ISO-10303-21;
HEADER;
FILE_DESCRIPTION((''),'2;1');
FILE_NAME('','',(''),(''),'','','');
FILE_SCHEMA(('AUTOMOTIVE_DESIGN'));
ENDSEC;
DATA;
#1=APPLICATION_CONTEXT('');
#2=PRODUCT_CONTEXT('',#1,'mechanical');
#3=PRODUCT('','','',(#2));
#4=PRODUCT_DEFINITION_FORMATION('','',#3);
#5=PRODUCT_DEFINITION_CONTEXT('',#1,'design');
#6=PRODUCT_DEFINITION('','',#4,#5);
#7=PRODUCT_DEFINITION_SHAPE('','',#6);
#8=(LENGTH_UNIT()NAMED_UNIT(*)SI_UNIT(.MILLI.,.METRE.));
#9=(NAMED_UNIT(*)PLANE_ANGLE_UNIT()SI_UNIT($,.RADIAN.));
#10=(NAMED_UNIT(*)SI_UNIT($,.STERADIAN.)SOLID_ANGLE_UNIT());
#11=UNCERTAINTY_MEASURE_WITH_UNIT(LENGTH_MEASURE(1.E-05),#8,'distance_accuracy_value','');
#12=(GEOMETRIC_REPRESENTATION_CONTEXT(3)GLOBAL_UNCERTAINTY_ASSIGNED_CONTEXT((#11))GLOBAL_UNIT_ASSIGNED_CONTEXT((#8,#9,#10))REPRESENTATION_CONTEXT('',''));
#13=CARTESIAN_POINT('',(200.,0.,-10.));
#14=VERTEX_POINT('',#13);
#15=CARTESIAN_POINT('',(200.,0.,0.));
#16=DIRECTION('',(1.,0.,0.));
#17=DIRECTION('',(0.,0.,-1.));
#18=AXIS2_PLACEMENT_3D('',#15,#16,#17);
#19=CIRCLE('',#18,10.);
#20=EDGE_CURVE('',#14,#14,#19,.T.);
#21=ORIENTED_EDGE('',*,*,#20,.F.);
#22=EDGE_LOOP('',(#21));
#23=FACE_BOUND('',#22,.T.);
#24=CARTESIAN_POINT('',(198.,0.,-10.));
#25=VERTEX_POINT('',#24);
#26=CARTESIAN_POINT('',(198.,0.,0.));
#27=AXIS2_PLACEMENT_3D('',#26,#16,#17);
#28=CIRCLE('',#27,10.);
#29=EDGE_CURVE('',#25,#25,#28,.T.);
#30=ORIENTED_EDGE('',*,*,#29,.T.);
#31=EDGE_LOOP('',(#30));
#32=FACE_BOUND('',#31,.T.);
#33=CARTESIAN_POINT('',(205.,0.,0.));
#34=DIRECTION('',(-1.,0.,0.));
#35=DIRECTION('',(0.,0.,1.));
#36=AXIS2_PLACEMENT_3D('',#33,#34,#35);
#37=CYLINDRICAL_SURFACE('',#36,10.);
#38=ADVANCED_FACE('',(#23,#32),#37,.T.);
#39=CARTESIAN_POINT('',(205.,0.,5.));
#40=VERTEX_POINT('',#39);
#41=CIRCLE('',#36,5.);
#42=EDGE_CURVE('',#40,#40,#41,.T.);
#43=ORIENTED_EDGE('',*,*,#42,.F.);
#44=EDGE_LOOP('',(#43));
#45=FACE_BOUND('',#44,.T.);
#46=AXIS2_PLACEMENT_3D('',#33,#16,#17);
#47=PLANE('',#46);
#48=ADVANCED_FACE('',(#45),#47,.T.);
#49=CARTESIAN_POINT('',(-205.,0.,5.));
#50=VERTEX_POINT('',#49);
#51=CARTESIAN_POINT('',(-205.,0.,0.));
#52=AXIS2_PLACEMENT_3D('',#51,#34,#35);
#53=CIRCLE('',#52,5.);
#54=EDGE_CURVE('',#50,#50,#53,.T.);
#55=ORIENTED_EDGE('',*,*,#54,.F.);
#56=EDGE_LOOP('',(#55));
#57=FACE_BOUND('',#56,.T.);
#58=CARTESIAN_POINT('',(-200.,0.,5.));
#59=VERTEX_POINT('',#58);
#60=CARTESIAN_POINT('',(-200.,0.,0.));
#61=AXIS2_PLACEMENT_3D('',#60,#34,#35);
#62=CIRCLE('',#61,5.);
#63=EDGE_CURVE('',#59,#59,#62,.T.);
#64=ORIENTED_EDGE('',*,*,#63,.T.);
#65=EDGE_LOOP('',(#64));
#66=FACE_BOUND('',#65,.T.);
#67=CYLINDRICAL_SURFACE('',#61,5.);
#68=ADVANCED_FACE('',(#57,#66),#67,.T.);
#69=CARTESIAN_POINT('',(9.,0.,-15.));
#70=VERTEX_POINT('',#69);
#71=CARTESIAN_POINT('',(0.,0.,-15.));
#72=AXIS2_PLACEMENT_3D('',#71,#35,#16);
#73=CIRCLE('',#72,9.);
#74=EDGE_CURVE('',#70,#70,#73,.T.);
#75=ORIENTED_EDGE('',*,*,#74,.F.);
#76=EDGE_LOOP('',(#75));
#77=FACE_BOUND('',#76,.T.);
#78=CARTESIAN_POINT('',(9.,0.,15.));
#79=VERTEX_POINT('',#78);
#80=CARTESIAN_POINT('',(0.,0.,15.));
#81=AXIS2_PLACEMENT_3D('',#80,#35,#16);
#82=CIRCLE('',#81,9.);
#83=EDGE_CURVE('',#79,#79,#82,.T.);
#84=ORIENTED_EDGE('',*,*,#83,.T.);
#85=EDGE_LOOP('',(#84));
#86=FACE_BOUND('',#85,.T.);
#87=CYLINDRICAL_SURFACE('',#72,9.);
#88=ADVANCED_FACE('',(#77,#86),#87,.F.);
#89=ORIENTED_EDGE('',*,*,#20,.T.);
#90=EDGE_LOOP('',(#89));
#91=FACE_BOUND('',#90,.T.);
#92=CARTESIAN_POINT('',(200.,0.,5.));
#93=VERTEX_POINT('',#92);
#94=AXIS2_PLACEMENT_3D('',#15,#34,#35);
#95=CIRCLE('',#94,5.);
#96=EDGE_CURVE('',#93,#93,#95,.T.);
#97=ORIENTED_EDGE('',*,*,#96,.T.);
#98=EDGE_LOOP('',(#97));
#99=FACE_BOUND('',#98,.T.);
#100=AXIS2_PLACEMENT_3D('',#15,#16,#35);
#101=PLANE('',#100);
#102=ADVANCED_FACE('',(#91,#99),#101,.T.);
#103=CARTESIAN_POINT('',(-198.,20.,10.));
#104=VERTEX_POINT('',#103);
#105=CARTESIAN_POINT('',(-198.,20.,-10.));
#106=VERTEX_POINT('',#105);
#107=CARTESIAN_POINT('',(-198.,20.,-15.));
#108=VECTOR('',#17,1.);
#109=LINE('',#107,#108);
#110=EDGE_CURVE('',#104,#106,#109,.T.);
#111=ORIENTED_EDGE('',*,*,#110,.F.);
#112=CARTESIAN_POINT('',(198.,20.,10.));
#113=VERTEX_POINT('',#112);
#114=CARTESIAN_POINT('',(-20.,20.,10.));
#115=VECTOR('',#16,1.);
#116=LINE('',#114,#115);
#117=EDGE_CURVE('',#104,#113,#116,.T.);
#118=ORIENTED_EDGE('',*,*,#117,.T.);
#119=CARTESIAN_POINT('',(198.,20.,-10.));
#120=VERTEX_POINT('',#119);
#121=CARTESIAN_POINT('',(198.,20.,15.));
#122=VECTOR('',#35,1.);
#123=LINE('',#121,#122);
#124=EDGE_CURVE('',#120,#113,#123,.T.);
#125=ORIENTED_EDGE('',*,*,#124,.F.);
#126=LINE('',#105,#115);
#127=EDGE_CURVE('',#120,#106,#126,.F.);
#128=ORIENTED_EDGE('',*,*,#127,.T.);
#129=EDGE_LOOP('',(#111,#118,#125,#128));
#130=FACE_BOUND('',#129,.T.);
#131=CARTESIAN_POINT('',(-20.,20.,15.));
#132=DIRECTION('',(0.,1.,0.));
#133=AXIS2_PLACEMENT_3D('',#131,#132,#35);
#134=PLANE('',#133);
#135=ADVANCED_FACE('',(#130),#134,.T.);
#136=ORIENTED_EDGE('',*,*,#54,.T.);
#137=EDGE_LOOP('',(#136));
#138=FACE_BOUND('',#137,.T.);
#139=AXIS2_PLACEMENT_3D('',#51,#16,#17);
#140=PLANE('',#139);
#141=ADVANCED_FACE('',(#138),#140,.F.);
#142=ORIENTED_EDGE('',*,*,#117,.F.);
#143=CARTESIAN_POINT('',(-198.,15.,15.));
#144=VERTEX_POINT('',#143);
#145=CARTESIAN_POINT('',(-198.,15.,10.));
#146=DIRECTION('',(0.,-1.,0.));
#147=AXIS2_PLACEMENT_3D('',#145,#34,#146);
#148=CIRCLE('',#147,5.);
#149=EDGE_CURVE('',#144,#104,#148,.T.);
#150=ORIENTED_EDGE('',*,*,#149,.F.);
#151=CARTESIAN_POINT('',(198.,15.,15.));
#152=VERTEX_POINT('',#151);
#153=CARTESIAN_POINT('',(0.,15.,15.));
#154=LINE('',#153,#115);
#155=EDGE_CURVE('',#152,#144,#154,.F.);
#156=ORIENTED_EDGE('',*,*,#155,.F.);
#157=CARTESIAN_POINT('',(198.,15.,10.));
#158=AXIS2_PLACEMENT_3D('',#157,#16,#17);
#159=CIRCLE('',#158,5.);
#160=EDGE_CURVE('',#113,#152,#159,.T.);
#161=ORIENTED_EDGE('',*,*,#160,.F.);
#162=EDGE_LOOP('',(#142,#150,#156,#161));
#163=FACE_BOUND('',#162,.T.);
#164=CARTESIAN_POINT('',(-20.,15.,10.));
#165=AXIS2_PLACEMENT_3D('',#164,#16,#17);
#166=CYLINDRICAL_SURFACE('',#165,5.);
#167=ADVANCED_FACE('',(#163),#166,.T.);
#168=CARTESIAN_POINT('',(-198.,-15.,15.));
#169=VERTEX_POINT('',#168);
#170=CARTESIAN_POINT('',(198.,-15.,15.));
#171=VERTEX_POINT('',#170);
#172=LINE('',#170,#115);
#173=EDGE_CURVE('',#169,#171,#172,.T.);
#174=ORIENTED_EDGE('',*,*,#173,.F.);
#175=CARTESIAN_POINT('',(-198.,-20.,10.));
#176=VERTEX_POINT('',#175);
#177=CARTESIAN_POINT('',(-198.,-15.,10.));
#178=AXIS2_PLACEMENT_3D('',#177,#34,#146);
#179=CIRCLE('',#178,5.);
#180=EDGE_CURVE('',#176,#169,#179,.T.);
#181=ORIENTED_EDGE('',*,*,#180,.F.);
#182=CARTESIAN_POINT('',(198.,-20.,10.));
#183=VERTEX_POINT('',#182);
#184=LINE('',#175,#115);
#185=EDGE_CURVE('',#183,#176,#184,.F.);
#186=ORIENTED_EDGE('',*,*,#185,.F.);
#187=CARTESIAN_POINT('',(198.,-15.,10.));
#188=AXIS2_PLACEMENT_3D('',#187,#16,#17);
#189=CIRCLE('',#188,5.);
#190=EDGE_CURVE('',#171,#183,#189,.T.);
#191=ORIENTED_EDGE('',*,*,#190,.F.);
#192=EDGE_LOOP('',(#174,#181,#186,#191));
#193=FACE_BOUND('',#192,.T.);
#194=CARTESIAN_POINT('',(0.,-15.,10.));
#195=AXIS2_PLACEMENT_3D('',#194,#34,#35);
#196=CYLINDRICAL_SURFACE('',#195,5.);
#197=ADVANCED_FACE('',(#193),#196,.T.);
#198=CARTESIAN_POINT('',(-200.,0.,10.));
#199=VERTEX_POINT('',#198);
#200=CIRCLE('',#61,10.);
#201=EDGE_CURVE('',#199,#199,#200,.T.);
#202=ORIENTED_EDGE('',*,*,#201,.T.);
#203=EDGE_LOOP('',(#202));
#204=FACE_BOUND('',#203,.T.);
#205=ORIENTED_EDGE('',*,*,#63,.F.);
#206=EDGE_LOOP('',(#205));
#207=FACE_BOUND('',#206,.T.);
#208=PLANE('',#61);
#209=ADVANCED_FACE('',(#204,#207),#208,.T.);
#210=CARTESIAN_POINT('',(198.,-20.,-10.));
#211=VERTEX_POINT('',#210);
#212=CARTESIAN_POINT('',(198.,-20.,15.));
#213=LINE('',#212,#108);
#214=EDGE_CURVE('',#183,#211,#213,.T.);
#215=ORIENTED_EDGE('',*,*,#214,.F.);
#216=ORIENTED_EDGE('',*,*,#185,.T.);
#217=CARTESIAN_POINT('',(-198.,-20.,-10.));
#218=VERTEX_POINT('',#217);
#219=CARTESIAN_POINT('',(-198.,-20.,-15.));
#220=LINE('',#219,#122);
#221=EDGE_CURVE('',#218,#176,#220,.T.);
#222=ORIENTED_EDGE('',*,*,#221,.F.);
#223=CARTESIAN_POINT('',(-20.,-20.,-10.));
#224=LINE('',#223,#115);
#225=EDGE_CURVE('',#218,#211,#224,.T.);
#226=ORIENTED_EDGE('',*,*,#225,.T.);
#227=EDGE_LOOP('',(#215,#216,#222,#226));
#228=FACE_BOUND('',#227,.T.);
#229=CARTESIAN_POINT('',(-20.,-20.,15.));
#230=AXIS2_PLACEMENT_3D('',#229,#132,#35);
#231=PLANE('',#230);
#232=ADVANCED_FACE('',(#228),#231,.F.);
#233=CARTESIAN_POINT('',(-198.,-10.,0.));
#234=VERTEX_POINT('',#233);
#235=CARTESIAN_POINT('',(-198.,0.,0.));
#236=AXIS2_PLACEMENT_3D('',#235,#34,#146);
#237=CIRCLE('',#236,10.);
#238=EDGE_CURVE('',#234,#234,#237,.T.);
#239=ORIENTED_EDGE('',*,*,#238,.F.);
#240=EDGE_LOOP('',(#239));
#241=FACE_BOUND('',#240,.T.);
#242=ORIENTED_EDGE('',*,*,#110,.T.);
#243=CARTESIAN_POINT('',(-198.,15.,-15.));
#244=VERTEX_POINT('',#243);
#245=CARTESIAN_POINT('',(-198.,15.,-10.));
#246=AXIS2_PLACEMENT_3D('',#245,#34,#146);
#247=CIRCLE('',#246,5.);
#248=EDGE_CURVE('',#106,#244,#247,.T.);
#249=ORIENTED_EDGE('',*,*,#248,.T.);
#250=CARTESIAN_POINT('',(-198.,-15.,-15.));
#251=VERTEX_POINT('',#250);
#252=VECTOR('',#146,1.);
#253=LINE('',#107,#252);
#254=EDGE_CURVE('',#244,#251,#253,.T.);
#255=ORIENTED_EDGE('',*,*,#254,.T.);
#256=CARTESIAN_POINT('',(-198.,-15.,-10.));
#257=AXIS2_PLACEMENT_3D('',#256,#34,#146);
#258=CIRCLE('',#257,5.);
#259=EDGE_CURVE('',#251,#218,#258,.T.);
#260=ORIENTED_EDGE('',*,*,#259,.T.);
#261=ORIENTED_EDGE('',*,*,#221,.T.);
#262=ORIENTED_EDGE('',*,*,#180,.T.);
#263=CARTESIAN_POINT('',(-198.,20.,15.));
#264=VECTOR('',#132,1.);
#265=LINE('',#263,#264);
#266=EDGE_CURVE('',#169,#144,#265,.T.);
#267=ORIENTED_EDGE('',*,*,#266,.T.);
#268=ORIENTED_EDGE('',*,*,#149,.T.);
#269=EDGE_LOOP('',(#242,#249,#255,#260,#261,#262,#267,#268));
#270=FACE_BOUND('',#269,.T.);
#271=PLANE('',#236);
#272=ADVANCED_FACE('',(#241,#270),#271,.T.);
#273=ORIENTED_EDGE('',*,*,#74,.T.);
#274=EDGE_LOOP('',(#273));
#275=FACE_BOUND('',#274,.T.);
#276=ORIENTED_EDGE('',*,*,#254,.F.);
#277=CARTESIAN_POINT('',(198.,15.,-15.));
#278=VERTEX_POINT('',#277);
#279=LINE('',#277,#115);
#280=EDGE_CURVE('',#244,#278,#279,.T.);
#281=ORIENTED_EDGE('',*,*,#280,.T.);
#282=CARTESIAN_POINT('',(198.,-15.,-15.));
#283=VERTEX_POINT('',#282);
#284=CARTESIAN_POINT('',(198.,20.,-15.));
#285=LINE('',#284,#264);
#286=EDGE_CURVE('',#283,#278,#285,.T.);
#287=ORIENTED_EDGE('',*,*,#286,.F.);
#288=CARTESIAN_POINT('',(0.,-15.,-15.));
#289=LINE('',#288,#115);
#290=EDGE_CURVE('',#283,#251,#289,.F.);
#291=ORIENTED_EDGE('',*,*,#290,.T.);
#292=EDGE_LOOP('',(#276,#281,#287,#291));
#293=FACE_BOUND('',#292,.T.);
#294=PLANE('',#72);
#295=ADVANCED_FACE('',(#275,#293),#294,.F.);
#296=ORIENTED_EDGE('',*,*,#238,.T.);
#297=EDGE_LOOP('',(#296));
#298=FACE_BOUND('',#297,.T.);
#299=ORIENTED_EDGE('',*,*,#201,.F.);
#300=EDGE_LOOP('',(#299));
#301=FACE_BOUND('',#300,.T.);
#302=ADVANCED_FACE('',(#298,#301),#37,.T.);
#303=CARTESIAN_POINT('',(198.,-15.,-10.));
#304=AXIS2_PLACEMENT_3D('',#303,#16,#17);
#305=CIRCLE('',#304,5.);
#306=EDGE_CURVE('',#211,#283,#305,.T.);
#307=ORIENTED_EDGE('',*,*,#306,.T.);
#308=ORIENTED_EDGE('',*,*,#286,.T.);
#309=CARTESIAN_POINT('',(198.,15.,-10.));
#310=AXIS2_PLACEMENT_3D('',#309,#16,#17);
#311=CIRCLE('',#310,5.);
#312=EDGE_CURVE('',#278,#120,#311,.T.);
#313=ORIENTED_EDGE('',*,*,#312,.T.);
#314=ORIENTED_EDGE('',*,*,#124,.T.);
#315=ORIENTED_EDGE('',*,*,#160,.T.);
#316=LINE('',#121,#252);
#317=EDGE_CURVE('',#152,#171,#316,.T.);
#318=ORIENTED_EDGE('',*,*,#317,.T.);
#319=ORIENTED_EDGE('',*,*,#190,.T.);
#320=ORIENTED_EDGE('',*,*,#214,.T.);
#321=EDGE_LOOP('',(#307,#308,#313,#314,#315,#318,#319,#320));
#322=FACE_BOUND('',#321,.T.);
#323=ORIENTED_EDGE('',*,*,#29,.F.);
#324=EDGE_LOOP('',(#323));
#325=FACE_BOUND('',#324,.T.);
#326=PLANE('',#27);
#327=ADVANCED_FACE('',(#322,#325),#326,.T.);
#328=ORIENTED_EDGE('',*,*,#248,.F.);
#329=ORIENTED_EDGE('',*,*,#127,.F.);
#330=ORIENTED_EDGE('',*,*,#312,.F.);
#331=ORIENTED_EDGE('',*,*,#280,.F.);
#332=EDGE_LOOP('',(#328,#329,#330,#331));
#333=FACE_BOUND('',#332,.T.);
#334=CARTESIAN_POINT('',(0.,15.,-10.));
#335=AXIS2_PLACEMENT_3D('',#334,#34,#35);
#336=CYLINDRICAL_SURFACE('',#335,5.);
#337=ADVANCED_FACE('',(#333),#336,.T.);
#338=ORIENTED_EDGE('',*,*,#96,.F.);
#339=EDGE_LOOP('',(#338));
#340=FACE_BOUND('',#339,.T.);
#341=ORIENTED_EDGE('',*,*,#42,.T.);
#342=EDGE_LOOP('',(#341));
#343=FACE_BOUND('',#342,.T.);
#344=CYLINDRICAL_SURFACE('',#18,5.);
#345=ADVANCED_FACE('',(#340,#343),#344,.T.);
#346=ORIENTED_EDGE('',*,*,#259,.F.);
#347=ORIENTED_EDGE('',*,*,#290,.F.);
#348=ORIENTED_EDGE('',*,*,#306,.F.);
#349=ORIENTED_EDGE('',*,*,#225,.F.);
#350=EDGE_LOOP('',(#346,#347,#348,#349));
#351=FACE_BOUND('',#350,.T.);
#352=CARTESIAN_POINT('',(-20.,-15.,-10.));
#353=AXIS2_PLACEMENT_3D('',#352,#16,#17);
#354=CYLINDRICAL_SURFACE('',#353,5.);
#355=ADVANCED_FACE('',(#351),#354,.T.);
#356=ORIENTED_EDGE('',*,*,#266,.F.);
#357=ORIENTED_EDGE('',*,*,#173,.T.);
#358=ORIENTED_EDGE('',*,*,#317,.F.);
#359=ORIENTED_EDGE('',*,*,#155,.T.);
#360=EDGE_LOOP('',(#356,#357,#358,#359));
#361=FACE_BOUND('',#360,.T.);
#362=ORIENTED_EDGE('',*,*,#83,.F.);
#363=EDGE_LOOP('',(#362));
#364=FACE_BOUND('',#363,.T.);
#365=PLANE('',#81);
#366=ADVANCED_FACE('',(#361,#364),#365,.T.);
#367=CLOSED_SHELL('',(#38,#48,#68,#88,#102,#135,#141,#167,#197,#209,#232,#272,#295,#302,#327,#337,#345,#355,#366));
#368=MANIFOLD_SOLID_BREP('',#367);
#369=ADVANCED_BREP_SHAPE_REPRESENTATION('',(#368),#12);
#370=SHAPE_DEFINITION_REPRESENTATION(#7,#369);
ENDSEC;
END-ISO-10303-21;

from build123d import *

# Parameters (mm, degrees)
SKETCH1_R           = 10
BOSS_EXTRUDE1_DEPTH = 205
SKETCH2_R           = 12.5
SKETCH2_R_2         = 5
CUT_EXTRUDE1_DEPTH  = 5
SKETCH3_W           = 40
SKETCH3_H           = 40
BOSS_EXTRUDE5_DEPTH = 15
SKETCH4_R           = 9
CUT_EXTRUDE2_DEPTH  = 15
FILLET2_R           = 2
SKETCH5_W           = 30
SKETCH5_H           = 40
BOSS_EXTRUDE6_DEPTH = 178
SKETCH6_W           = 30
SKETCH6_H           = 40
BOSS_EXTRUDE7_DEPTH = 178
FILLET3_R           = 5


with BuildPart() as part:
    # Sketch1 → Boss-Extrude1 (new body, symmetric)
    with BuildSketch(Plane(origin=(0, 0, 0), x_dir=(0, 0, -1), z_dir=(1, 0, 0))):
        Circle(SKETCH1_R)
    extrude(amount=BOSS_EXTRUDE1_DEPTH, both=True)

    # Sketch2 → Cut-Extrude1 (cut)
    with BuildSketch(Plane.ZY.offset(205)):
        Circle(SKETCH2_R)
        Circle(SKETCH2_R_2, mode=Mode.SUBTRACT)
    cut_extrude1 = extrude(amount=-CUT_EXTRUDE1_DEPTH, mode=Mode.SUBTRACT)

    # Mirror1: Cut-Extrude1 across plane
    add(cut_extrude1.mirror(Plane(origin=(0, 0, 0), x_dir=(0, 0, 1), z_dir=(1, 0, 0))), mode=Mode.SUBTRACT)

    # Sketch3 → Boss-Extrude5 (add, symmetric)
    with BuildSketch(Plane.XY):
        Rectangle(SKETCH3_W, SKETCH3_H)
    extrude(amount=BOSS_EXTRUDE5_DEPTH, both=True)

    # Sketch4 → Cut-Extrude2 (cut, symmetric)
    with BuildSketch(Plane.XY):
        Circle(SKETCH4_R)
    extrude(amount=CUT_EXTRUDE2_DEPTH, both=True, mode=Mode.SUBTRACT)

    # Fillet2
    fillet2_edges = [part.edges().sort_by_distance(p)[0] for p in [
        (-20, 0, 10),
        (20, 0, 10),
    ]]
    fillet(fillet2_edges, radius=FILLET2_R)

    # Sketch5 → Boss-Extrude6 (add)
    with BuildSketch(Plane.ZY.offset(20)):
        Rectangle(SKETCH5_W, SKETCH5_H)
    extrude(amount=BOSS_EXTRUDE6_DEPTH)

    # Sketch6 → Boss-Extrude7 (add)
    with BuildSketch(Plane(origin=(20, 0, 0), x_dir=(0, 0, -1), z_dir=(1, 0, 0))):
        Rectangle(SKETCH6_W, SKETCH6_H)
    extrude(amount=BOSS_EXTRUDE7_DEPTH)

    # Fillet3
    fillet3_edges = [part.edges().sort_by_distance(p)[0] for p in [
        (0, -20, -15),
        (0, 20, 15),
        (0, -20, 15),
        (0, 20, -15),
    ]]
    fillet(fillet3_edges, radius=FILLET3_R)


solid = part.part
